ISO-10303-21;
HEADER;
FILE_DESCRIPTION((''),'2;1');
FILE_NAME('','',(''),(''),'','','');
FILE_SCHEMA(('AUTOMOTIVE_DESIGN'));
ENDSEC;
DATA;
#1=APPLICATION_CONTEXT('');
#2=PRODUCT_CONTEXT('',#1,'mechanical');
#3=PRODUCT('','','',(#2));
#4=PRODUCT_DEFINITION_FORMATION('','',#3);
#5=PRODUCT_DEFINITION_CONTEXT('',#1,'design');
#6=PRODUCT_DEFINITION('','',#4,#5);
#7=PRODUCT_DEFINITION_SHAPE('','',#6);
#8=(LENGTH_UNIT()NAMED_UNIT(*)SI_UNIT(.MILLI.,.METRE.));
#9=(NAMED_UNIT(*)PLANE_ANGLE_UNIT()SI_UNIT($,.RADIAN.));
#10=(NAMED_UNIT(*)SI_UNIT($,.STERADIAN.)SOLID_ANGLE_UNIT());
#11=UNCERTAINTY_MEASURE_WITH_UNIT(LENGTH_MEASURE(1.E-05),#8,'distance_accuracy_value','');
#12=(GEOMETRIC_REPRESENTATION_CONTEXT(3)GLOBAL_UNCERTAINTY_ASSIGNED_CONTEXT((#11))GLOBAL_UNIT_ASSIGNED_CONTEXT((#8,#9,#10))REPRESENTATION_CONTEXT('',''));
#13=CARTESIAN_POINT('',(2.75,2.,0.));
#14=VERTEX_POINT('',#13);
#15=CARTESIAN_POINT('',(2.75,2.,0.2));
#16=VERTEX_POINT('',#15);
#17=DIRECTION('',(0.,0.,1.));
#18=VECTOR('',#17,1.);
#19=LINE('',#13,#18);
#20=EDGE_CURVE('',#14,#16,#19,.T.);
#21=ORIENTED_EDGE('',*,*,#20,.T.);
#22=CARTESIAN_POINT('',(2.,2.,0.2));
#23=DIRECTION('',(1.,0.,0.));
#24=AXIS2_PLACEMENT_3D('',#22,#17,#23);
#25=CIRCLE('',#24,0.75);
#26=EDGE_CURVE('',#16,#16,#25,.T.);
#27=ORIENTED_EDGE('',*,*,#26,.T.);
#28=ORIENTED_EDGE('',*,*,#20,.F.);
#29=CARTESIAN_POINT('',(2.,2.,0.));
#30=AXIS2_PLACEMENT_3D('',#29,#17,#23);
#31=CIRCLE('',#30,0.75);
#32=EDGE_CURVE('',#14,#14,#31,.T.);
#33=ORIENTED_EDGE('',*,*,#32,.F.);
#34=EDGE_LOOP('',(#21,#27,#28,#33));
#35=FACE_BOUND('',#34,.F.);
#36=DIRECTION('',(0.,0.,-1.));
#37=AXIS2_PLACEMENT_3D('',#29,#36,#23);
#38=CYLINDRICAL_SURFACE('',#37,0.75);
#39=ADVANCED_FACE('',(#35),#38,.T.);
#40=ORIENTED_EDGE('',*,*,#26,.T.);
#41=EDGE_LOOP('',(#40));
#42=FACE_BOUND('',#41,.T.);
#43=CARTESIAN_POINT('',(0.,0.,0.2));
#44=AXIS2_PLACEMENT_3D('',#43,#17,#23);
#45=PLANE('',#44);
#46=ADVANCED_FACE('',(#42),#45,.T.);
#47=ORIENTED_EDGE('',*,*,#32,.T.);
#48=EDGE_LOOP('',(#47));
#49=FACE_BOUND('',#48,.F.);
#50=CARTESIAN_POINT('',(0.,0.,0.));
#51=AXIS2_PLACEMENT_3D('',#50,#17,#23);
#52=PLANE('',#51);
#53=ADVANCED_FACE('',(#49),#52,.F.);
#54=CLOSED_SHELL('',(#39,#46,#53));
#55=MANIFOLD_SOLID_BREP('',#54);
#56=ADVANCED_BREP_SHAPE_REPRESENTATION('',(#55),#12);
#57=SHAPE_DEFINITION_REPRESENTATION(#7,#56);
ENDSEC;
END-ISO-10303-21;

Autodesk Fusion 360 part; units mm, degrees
sketch "Sketch1" plane through (0, 0, 0) normal (0, 0, 1) x (1, 0, 0)
  circle A0 centre (2, 2) radius 0.75
  line L0 (2, 2) -> (2.6495, 2.375) construction
  line L1 (0, 0) -> (10, 0) construction
  dimension "jointrad" = 1.5
  dimension "ypos" = 2
  dimension "xpos" = 2
  dimension "d9" = 10
  dimension "jointangle" = 30
extrude "Extrude1" add sketch "Sketch1" along normal blind 0.2
equation "jointdepth = 0.2 mm"
